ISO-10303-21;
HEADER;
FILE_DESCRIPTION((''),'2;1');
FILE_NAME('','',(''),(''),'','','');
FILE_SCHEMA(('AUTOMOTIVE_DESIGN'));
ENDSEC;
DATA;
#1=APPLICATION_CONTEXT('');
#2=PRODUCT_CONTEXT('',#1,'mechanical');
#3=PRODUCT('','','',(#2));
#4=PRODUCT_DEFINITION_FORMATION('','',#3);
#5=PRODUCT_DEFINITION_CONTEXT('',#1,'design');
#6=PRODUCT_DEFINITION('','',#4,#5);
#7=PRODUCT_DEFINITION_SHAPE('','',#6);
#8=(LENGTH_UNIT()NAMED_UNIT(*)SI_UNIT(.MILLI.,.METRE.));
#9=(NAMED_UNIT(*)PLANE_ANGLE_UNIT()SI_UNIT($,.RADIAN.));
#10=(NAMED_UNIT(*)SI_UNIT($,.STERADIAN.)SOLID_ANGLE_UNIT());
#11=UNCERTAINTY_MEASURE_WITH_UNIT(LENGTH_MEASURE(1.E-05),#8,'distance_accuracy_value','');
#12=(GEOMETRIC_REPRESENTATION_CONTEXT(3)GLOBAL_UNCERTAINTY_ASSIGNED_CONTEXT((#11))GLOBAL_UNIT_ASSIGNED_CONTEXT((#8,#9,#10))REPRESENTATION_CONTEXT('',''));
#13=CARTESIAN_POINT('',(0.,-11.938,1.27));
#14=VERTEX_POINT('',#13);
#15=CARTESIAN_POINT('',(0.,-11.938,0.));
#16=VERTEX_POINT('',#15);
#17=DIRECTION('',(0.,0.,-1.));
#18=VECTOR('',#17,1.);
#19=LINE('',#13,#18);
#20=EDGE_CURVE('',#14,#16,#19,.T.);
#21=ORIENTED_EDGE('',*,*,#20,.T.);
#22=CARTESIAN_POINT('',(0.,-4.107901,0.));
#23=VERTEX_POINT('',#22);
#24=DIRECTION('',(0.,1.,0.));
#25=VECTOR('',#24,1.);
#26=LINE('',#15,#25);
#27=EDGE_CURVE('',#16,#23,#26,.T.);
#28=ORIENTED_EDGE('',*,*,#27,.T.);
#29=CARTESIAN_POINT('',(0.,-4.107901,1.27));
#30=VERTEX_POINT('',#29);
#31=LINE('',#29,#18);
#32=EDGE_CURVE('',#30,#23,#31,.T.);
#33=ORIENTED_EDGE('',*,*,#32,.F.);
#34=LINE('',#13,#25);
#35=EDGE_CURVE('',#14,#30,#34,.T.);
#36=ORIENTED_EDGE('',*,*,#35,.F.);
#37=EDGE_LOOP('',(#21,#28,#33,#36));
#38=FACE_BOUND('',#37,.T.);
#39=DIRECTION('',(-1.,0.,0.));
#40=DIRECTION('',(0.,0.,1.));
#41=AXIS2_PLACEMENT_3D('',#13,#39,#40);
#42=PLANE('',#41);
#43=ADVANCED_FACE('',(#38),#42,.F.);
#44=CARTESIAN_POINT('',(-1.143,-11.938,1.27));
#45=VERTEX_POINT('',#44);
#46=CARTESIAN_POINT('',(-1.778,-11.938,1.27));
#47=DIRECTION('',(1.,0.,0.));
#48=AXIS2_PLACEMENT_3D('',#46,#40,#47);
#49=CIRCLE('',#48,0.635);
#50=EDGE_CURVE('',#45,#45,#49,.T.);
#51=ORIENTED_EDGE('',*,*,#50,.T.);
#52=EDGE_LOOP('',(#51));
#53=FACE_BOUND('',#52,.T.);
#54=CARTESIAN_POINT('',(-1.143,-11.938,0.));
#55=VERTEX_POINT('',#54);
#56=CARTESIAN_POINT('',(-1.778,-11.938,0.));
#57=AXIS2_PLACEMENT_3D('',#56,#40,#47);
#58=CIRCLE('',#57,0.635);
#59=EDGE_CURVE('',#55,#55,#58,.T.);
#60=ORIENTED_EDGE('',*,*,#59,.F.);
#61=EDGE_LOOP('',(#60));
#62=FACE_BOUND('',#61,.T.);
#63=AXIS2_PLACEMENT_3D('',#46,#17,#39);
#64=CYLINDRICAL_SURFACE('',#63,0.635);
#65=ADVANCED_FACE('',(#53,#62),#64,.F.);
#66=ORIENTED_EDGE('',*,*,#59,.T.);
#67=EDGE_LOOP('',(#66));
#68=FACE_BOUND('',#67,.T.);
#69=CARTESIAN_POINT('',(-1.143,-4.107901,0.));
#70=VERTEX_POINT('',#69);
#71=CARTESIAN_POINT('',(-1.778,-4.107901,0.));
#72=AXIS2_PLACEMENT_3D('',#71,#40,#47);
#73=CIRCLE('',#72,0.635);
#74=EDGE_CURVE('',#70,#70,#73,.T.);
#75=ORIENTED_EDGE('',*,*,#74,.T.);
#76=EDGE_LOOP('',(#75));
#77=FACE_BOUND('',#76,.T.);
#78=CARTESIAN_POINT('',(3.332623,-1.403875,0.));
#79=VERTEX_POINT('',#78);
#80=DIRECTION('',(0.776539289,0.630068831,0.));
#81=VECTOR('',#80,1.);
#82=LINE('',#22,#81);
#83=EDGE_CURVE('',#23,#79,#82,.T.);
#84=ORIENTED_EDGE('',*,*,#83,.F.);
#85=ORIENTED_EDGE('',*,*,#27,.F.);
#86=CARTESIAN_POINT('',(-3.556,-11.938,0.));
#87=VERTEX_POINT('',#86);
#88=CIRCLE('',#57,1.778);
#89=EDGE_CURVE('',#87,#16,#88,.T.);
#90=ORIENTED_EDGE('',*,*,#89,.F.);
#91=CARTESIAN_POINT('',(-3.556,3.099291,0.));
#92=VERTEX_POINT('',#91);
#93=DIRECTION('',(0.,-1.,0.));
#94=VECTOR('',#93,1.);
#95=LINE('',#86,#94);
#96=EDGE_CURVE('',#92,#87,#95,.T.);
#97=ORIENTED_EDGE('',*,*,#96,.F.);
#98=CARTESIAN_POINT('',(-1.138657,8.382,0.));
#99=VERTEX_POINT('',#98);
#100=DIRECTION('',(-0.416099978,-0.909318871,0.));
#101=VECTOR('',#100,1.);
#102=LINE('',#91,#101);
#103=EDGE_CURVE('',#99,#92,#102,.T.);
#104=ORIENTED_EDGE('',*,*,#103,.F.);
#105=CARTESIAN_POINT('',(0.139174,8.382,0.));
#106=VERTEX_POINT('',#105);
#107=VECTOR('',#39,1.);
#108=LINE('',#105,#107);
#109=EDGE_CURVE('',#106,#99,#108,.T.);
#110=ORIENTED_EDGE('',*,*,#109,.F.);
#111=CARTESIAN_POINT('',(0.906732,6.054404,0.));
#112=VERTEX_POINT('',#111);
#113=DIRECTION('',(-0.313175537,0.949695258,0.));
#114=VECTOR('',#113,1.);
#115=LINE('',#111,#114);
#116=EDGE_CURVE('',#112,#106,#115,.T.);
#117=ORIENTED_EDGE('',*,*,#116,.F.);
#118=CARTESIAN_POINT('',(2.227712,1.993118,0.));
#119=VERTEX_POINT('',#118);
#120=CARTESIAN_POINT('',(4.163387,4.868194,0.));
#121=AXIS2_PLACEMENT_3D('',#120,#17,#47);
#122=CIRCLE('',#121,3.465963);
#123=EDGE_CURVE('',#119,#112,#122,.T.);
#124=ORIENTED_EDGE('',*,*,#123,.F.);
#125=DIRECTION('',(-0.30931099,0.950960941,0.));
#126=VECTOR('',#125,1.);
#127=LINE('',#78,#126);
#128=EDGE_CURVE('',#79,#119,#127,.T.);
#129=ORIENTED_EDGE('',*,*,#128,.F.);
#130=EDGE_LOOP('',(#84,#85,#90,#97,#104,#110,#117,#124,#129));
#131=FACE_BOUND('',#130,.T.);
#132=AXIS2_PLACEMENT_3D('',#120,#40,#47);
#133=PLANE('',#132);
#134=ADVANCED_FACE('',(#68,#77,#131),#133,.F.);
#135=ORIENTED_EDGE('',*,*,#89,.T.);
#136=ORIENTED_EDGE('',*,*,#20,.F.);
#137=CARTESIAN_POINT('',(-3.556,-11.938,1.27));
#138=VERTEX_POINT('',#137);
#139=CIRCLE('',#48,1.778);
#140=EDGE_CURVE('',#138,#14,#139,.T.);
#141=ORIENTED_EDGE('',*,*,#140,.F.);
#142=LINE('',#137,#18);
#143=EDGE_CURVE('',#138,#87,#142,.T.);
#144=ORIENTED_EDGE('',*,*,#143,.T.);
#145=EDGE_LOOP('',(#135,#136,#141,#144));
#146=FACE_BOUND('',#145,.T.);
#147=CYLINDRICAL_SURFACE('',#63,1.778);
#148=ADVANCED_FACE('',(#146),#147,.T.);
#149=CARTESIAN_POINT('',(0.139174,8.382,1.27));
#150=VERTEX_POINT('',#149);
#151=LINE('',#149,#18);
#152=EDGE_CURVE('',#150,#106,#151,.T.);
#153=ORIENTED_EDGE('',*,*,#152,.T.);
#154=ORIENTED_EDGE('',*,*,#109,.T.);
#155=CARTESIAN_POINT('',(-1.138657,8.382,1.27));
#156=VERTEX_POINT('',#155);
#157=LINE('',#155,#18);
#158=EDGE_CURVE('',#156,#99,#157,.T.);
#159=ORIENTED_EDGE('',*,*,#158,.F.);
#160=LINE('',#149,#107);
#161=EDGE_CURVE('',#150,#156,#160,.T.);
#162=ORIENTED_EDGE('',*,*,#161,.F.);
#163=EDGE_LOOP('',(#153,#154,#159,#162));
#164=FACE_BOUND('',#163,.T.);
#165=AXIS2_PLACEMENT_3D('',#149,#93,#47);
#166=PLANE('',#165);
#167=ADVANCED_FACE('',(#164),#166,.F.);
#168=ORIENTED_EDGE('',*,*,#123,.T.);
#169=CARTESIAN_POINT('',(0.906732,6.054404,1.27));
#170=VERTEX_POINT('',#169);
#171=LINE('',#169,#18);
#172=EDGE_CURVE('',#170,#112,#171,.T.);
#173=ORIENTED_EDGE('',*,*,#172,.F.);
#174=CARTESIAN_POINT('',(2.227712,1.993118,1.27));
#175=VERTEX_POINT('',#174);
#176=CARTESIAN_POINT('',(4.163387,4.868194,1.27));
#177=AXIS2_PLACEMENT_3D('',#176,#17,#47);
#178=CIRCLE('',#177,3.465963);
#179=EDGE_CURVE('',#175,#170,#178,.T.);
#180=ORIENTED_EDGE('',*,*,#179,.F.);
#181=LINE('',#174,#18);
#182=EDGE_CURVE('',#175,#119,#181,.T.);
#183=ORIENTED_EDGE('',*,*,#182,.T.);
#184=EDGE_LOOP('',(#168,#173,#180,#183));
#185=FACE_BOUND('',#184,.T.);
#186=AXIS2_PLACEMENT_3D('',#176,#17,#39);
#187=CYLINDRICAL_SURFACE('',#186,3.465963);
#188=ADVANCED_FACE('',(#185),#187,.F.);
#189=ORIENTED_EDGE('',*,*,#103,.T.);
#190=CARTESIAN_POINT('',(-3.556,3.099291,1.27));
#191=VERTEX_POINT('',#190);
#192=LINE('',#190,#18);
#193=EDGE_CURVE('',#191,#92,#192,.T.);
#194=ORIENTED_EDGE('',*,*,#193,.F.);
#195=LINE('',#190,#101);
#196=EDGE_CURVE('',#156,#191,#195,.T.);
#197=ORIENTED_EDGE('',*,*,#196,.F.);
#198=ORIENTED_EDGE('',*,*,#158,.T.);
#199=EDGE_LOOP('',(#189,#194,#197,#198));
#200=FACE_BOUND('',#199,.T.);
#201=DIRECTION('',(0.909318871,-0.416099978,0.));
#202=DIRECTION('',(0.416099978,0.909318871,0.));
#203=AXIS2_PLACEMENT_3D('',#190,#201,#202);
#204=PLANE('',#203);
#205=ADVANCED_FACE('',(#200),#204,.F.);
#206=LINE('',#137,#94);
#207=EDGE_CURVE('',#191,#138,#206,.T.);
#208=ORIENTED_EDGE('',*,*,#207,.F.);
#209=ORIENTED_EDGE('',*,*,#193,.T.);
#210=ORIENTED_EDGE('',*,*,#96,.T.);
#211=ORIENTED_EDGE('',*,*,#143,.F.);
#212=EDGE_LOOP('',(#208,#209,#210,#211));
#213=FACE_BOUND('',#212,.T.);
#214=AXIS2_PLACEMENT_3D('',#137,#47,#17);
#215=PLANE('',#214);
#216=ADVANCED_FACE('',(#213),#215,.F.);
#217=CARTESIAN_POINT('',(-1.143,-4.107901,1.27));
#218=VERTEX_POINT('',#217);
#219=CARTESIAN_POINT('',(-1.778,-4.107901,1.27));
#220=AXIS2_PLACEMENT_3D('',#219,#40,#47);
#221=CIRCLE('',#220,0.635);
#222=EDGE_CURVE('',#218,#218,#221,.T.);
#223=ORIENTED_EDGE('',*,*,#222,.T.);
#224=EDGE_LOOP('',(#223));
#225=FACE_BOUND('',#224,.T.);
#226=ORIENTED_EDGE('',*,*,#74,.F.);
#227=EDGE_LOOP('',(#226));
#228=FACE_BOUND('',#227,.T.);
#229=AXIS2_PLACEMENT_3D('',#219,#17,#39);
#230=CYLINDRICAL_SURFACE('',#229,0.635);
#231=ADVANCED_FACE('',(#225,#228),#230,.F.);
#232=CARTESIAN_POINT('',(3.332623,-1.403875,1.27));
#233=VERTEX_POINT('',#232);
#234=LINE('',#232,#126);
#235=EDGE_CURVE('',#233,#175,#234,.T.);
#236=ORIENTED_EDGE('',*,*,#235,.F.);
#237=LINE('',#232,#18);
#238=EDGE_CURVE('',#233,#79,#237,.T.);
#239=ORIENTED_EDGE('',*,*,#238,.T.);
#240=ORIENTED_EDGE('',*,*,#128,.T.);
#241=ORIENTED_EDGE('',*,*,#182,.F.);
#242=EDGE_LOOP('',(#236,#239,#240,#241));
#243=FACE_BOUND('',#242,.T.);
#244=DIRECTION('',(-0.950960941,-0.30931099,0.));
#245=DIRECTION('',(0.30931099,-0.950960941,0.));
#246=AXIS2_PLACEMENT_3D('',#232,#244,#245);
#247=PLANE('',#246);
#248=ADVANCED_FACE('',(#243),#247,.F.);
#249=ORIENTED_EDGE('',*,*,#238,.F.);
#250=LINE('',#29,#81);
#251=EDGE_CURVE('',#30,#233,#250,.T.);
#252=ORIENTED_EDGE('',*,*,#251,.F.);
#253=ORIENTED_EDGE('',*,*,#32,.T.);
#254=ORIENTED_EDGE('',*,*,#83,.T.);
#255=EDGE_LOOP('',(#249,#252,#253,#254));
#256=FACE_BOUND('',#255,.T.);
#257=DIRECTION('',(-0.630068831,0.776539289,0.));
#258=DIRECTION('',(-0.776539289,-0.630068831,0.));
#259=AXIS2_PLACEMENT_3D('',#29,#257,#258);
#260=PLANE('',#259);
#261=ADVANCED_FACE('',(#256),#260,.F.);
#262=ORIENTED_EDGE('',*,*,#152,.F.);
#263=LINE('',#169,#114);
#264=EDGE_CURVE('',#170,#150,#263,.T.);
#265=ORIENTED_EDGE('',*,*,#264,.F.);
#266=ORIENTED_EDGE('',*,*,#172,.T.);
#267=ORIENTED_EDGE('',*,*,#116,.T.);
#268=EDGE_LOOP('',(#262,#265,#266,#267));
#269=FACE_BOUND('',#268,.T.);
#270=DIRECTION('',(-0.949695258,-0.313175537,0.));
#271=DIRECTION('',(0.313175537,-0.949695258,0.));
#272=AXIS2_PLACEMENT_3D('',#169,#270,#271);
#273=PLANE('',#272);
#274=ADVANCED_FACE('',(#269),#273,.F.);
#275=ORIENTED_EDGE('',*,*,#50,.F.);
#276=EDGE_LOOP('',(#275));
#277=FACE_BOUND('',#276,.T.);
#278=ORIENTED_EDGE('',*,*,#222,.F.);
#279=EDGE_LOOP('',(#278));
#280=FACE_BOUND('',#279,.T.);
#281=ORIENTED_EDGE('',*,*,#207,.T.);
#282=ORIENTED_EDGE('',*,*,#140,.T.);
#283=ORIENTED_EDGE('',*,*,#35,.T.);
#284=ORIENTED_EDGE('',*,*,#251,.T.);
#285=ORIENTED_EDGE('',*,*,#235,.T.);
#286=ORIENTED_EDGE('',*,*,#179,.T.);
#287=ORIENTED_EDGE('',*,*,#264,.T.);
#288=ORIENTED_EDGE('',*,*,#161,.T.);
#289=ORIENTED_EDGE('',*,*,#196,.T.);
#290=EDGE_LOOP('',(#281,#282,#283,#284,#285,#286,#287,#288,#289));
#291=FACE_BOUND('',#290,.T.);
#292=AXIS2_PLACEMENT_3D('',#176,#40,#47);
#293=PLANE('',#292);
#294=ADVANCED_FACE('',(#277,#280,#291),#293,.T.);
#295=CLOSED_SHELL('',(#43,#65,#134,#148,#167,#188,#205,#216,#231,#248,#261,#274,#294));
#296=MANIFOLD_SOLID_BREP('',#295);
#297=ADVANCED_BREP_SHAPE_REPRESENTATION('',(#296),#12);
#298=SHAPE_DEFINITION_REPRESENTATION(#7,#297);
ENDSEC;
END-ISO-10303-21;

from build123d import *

# Parameters (mm, degrees)
SKETCH1_R           = 0.635
BOSS_EXTRUDE1_DEPTH = 1.27


with BuildPart() as part:
    # Sketch1 → Boss-Extrude1 (new body)
    with BuildSketch(Plane.XY):
        with BuildLine():
            Line((0, -11.938), (0, -4.107900924))
            Line((0, -4.107900924), (3.332623342, -1.403875353))
            Line((3.332623342, -1.403875353), (2.227712005, 1.993118473))
            ThreePointArc((2.227712005, 1.993118473), (0.867392125, 3.796133525), (0.906732127, 6.054404062))
            Line((0.906732127, 6.054404062), (0.139174217, 8.382))
            Line((0.139174217, 8.382), (-1.138657386, 8.382))
            Line((-1.138657386, 8.382), (-3.556, 3.099290623))
            Line((-3.556, 3.099290623), (-3.556, -11.938))
            ThreePointArc((-3.556, -11.938), (-1.778, -13.716), (0, -11.938))
        make_face()
        with Locations((-1.778, -11.938)):
            Circle(SKETCH1_R, mode=Mode.SUBTRACT)
        with Locations((-1.778, -4.107900924)):
            Circle(SKETCH1_R, mode=Mode.SUBTRACT)
    extrude(amount=BOSS_EXTRUDE1_DEPTH)


solid = part.part
